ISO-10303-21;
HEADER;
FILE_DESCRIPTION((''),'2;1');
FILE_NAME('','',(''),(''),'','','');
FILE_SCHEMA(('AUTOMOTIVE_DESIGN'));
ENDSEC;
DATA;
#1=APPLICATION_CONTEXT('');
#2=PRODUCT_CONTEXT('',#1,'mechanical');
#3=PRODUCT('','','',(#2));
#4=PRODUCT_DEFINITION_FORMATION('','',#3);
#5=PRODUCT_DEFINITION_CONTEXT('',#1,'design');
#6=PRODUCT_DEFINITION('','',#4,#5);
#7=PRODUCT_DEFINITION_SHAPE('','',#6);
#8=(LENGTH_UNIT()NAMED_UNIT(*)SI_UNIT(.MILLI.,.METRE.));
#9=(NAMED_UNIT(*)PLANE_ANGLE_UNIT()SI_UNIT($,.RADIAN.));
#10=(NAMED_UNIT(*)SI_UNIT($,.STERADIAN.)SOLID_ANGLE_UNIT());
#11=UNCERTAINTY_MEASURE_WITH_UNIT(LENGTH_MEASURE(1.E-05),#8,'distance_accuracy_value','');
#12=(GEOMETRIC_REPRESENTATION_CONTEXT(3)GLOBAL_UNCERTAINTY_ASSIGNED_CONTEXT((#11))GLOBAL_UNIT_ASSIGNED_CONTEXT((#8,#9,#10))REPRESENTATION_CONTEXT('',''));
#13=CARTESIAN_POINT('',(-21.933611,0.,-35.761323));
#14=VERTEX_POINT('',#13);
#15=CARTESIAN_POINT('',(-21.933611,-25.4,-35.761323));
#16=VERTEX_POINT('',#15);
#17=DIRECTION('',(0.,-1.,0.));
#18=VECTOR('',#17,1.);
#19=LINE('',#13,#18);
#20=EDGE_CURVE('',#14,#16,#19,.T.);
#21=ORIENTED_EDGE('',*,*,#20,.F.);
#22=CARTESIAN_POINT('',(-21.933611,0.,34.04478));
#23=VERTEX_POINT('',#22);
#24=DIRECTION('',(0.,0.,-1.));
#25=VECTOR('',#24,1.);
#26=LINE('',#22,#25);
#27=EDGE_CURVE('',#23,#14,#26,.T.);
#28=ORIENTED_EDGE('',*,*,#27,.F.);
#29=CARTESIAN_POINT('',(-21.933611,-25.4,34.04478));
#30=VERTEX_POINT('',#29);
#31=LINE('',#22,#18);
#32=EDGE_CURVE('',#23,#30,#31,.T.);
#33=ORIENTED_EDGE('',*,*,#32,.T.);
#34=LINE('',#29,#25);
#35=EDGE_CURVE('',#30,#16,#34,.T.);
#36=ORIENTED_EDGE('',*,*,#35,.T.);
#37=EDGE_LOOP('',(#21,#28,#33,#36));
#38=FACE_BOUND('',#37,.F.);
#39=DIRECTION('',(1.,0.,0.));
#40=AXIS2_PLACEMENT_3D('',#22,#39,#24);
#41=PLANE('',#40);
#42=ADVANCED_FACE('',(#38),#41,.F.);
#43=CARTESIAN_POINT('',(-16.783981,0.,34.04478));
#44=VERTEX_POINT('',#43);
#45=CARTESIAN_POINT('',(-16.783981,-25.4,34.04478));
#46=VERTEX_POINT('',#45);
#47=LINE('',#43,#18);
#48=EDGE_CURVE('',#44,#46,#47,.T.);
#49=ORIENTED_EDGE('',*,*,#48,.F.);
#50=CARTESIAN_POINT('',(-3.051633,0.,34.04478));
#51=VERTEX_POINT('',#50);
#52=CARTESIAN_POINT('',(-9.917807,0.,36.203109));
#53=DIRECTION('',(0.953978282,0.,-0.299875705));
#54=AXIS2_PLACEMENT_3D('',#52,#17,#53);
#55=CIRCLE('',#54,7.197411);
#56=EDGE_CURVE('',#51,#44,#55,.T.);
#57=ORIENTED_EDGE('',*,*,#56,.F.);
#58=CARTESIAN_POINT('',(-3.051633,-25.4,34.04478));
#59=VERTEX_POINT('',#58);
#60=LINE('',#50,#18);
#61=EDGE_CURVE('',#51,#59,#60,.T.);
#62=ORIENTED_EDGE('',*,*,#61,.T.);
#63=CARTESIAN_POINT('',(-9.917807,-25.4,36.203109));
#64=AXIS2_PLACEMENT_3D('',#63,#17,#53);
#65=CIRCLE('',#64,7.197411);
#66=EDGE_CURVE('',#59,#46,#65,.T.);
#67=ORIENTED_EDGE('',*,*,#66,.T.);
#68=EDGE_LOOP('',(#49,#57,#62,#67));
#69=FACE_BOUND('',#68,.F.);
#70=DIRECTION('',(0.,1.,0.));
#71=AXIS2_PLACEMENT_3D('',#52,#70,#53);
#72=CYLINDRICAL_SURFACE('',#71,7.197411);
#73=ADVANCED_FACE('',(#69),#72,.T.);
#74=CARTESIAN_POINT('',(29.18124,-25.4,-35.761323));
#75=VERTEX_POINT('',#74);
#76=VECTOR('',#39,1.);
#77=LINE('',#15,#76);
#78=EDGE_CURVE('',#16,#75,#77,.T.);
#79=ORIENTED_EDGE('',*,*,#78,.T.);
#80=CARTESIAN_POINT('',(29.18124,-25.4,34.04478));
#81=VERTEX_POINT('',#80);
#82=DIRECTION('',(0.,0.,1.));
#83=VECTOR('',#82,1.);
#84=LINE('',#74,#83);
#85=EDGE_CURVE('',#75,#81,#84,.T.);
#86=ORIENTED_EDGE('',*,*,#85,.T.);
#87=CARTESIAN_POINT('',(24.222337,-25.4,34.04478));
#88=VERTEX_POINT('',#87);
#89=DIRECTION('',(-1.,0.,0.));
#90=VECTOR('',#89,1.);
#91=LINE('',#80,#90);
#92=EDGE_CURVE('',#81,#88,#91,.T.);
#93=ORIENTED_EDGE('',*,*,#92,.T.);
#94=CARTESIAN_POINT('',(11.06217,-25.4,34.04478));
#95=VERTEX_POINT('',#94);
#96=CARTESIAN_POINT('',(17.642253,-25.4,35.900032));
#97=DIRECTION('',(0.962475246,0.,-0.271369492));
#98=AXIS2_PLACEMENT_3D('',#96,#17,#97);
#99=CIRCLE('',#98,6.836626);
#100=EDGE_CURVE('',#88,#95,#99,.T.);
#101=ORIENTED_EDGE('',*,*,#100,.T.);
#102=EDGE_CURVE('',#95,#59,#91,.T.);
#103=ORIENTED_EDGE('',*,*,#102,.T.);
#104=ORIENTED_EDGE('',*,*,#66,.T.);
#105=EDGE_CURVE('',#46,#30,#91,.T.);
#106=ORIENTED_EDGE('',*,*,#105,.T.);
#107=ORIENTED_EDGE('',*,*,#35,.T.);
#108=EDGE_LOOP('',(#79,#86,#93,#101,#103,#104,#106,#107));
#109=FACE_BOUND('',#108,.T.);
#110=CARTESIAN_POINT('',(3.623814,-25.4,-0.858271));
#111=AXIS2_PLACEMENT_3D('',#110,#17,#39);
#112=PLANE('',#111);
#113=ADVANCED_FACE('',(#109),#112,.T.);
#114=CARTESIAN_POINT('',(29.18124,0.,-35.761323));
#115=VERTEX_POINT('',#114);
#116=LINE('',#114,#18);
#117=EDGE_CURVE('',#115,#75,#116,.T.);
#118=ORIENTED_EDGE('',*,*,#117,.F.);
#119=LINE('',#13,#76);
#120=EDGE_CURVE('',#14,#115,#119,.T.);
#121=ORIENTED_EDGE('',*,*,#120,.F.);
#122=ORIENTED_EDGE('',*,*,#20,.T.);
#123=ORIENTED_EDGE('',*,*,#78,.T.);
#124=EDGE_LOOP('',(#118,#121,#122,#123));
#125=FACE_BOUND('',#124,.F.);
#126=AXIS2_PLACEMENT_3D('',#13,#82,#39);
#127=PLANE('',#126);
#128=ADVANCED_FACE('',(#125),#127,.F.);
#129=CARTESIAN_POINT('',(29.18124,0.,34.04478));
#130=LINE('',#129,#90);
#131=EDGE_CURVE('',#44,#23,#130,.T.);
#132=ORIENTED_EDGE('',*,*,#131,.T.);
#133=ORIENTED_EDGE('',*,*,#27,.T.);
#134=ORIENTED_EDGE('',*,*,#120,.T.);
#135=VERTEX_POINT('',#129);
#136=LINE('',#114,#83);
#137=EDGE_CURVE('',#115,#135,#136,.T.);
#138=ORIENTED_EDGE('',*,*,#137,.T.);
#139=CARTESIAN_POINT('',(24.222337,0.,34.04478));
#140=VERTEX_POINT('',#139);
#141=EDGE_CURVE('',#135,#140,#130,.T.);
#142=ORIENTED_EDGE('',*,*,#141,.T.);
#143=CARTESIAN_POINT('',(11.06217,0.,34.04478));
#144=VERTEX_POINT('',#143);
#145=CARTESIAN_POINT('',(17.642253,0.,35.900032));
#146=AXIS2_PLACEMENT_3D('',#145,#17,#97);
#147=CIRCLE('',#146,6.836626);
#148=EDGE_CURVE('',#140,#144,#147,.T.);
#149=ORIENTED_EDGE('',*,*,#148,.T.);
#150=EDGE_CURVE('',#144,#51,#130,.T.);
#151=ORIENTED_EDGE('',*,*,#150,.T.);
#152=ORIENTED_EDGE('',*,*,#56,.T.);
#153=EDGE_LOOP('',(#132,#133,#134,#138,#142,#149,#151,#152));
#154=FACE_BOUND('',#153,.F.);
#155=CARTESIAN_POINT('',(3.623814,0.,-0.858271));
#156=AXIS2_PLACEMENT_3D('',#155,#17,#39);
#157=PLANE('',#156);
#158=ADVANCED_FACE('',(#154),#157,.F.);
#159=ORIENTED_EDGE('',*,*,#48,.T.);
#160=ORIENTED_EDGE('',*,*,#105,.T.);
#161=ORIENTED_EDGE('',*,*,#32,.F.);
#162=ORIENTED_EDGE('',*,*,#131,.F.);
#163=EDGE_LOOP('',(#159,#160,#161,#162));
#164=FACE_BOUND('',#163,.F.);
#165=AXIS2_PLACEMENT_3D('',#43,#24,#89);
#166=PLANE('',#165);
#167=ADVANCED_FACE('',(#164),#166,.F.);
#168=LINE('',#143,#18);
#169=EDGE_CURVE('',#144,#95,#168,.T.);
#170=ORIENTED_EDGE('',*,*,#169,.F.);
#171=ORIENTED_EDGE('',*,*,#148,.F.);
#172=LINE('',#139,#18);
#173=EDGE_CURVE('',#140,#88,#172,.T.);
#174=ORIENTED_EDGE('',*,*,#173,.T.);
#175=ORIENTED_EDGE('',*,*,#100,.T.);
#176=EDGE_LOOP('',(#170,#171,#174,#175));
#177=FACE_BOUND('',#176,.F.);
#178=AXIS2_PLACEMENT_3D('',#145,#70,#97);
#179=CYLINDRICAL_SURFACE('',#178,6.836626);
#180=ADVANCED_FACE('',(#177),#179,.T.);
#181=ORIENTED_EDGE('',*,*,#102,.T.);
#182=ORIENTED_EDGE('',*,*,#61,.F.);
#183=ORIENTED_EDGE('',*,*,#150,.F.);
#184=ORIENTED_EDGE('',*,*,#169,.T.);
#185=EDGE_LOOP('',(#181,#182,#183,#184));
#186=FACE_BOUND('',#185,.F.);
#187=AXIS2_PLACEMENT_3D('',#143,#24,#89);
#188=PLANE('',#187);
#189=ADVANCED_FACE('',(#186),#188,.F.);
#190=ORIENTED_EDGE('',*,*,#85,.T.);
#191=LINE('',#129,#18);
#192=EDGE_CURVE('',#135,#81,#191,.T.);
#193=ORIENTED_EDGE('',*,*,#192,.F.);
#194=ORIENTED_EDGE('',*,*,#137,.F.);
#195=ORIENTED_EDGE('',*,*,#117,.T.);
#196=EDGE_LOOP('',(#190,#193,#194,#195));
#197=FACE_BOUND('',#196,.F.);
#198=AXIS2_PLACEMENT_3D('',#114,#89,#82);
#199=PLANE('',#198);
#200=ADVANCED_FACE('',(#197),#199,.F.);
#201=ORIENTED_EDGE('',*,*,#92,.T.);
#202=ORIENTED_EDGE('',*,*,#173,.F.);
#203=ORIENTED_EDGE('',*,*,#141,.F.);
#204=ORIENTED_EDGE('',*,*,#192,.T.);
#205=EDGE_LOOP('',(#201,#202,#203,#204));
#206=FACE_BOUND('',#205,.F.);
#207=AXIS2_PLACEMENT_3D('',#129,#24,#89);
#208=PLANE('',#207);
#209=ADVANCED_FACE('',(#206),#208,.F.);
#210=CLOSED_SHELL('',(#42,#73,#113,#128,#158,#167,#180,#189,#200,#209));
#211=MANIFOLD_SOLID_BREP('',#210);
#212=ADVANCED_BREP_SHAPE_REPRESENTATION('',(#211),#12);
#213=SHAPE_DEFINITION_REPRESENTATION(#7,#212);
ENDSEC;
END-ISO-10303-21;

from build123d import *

# Parameters (mm, degrees)
F1_DEPTH = 25.4


with BuildPart() as f1:
    # F0 (on Front) → F1 (new body)
    with BuildSketch(Plane.XZ):
        Polygon((-16.783981, 34.04478), (-21.933611, 34.04478), (-21.933611, -35.761323), (29.18124, -35.761323), (29.18124, 34.04478), (24.222337, 34.04478), (11.06217, 34.04478), (-3.051633, 34.04478), align=None)
        with BuildLine():
            ThreePointArc((-3.051633, 34.04478), (-9.917807, 43.40052), (-16.783981, 34.04478))
            Line((-16.783981, 34.04478), (-3.051633, 34.04478))
        make_face()
        with BuildLine():
            ThreePointArc((24.222337, 34.04478), (17.642254, 42.736658), (11.06217, 34.04478))
            Line((11.06217, 34.04478), (24.222337, 34.04478))
        make_face()
    extrude(amount=F1_DEPTH)


solid = f1.part
